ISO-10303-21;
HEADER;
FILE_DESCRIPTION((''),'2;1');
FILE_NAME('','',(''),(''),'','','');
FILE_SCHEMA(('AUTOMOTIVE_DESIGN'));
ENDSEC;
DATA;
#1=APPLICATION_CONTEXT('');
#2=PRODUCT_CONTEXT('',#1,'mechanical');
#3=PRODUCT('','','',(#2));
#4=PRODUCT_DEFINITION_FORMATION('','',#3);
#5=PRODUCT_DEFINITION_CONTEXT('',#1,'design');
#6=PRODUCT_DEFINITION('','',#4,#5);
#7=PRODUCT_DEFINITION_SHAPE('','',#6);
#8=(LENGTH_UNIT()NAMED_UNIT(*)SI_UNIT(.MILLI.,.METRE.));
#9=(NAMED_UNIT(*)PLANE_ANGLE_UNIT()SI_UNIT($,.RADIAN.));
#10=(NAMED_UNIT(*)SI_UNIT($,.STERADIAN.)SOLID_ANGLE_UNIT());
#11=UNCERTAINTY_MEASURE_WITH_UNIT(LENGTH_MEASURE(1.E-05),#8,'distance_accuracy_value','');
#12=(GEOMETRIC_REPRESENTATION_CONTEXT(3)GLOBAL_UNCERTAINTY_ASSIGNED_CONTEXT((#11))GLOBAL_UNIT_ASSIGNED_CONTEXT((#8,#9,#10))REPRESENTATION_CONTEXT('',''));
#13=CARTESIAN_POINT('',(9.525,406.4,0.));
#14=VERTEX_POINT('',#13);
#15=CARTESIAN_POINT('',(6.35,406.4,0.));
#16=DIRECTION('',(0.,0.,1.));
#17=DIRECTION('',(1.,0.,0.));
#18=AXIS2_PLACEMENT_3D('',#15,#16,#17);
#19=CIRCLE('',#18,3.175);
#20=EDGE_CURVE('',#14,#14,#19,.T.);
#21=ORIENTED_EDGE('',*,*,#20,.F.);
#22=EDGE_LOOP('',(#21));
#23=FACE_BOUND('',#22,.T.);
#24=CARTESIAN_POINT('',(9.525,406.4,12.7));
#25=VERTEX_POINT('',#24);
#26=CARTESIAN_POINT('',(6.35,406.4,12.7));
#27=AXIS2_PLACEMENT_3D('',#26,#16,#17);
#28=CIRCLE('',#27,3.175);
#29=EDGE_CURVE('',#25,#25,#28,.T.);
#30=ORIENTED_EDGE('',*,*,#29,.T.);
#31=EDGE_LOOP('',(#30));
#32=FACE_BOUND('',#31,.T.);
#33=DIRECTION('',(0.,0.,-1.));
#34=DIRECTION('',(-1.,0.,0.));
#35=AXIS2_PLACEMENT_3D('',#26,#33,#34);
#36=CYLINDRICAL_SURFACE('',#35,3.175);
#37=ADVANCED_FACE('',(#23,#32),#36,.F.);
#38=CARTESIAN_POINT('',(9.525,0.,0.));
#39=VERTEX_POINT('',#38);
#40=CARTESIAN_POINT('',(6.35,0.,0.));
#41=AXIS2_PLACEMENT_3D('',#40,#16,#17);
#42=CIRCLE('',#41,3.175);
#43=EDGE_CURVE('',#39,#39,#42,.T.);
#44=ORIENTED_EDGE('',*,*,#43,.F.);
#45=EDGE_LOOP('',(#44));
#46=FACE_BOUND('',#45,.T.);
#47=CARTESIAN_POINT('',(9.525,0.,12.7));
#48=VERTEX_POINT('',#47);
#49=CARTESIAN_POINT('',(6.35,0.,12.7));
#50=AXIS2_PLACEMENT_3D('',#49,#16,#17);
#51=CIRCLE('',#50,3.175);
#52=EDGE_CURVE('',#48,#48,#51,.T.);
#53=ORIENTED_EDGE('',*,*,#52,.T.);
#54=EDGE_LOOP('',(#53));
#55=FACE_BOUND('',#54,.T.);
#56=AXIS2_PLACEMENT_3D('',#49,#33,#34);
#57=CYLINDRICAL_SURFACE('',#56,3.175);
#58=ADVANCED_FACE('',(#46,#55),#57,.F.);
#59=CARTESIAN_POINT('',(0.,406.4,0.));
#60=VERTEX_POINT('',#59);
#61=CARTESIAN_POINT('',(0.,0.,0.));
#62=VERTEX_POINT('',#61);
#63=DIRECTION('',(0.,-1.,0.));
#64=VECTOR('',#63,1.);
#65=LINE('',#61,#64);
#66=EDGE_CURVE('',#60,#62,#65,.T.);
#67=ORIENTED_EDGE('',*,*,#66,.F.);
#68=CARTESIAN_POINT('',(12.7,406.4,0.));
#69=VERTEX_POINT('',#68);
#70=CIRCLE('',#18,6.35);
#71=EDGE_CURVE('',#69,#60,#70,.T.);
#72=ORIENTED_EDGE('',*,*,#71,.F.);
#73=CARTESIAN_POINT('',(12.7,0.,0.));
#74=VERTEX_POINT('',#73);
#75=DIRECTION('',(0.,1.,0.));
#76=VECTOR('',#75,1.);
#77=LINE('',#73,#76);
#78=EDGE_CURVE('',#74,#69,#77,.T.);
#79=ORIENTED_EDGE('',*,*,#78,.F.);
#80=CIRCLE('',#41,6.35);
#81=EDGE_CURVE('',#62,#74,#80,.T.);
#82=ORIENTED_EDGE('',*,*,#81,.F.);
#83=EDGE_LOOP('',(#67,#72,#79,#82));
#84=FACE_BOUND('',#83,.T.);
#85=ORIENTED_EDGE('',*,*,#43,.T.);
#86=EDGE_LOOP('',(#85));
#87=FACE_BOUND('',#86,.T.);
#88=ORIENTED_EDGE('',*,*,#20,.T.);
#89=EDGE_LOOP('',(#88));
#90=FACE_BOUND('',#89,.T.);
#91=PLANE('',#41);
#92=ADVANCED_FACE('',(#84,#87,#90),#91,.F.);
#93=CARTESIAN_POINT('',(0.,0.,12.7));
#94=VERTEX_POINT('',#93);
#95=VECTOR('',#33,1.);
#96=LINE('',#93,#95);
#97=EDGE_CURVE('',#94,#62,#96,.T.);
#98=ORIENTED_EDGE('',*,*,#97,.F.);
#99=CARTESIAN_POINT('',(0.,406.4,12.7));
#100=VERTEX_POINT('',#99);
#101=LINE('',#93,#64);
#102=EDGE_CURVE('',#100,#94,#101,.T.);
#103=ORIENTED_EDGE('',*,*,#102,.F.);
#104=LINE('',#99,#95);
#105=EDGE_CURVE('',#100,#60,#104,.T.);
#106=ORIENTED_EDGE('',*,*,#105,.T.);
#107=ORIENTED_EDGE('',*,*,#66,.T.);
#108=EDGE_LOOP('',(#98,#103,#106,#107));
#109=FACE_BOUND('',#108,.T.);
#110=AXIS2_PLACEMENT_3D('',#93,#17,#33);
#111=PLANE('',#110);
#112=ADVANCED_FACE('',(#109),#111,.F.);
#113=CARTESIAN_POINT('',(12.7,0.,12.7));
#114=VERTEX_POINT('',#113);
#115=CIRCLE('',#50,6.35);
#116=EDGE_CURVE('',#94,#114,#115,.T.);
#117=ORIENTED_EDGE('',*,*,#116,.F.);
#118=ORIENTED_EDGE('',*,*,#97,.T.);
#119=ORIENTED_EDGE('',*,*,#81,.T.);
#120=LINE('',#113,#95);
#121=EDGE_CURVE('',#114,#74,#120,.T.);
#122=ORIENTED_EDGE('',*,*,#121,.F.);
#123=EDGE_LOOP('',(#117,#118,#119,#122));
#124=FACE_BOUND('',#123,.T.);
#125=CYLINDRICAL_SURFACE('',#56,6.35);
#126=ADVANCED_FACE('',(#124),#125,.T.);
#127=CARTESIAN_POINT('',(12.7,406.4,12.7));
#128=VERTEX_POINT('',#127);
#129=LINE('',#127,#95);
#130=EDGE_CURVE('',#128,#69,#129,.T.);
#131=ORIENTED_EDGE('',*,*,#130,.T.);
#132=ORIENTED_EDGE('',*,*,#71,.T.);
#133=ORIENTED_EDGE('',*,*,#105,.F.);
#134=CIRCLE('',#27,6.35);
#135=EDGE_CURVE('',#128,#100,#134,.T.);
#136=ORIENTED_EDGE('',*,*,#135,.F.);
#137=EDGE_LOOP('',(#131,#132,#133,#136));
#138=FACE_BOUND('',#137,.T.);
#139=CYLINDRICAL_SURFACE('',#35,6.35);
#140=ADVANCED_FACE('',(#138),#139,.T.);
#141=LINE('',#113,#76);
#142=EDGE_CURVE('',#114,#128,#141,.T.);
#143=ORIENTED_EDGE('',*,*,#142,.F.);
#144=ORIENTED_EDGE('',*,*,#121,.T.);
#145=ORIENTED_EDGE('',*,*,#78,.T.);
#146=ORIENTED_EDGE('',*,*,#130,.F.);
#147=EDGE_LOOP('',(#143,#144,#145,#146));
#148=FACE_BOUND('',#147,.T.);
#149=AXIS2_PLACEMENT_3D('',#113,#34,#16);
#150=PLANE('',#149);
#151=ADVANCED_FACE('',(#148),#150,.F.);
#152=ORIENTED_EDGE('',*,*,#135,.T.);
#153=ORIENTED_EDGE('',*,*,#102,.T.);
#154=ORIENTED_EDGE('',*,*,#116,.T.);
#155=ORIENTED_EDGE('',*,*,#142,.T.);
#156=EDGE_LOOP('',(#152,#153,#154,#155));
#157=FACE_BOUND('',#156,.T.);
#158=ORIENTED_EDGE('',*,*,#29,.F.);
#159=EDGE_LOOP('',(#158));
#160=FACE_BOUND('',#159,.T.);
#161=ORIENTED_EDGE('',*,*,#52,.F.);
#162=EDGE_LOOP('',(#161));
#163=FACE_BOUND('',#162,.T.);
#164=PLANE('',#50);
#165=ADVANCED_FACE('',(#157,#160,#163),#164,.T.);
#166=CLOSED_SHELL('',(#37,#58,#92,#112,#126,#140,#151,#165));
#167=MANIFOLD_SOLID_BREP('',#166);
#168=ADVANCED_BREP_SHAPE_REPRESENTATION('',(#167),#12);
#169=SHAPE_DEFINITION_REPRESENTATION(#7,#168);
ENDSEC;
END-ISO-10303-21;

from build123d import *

# Parameters (mm, degrees)
ESQUISSE1_R        = 3.175
BOSS_EXTRU_1_DEPTH = 12.7


with BuildPart() as part:
    # Esquisse1 → Boss.-Extru.1 (new body)
    with BuildSketch(Plane.XY):
        with BuildLine():
            Line((0, 0), (0, 406.4))
            ThreePointArc((0, 406.4), (6.35, 412.75), (12.7, 406.4))
            Line((12.7, 406.4), (12.7, 0))
            ThreePointArc((12.7, 0), (6.35, -6.35), (0, 0))
        make_face()
        with Locations((6.35, 406.4)):
            Circle(ESQUISSE1_R, mode=Mode.SUBTRACT)
        with Locations((6.35, 0)):
            Circle(ESQUISSE1_R, mode=Mode.SUBTRACT)
    extrude(amount=BOSS_EXTRU_1_DEPTH)


solid = part.part
